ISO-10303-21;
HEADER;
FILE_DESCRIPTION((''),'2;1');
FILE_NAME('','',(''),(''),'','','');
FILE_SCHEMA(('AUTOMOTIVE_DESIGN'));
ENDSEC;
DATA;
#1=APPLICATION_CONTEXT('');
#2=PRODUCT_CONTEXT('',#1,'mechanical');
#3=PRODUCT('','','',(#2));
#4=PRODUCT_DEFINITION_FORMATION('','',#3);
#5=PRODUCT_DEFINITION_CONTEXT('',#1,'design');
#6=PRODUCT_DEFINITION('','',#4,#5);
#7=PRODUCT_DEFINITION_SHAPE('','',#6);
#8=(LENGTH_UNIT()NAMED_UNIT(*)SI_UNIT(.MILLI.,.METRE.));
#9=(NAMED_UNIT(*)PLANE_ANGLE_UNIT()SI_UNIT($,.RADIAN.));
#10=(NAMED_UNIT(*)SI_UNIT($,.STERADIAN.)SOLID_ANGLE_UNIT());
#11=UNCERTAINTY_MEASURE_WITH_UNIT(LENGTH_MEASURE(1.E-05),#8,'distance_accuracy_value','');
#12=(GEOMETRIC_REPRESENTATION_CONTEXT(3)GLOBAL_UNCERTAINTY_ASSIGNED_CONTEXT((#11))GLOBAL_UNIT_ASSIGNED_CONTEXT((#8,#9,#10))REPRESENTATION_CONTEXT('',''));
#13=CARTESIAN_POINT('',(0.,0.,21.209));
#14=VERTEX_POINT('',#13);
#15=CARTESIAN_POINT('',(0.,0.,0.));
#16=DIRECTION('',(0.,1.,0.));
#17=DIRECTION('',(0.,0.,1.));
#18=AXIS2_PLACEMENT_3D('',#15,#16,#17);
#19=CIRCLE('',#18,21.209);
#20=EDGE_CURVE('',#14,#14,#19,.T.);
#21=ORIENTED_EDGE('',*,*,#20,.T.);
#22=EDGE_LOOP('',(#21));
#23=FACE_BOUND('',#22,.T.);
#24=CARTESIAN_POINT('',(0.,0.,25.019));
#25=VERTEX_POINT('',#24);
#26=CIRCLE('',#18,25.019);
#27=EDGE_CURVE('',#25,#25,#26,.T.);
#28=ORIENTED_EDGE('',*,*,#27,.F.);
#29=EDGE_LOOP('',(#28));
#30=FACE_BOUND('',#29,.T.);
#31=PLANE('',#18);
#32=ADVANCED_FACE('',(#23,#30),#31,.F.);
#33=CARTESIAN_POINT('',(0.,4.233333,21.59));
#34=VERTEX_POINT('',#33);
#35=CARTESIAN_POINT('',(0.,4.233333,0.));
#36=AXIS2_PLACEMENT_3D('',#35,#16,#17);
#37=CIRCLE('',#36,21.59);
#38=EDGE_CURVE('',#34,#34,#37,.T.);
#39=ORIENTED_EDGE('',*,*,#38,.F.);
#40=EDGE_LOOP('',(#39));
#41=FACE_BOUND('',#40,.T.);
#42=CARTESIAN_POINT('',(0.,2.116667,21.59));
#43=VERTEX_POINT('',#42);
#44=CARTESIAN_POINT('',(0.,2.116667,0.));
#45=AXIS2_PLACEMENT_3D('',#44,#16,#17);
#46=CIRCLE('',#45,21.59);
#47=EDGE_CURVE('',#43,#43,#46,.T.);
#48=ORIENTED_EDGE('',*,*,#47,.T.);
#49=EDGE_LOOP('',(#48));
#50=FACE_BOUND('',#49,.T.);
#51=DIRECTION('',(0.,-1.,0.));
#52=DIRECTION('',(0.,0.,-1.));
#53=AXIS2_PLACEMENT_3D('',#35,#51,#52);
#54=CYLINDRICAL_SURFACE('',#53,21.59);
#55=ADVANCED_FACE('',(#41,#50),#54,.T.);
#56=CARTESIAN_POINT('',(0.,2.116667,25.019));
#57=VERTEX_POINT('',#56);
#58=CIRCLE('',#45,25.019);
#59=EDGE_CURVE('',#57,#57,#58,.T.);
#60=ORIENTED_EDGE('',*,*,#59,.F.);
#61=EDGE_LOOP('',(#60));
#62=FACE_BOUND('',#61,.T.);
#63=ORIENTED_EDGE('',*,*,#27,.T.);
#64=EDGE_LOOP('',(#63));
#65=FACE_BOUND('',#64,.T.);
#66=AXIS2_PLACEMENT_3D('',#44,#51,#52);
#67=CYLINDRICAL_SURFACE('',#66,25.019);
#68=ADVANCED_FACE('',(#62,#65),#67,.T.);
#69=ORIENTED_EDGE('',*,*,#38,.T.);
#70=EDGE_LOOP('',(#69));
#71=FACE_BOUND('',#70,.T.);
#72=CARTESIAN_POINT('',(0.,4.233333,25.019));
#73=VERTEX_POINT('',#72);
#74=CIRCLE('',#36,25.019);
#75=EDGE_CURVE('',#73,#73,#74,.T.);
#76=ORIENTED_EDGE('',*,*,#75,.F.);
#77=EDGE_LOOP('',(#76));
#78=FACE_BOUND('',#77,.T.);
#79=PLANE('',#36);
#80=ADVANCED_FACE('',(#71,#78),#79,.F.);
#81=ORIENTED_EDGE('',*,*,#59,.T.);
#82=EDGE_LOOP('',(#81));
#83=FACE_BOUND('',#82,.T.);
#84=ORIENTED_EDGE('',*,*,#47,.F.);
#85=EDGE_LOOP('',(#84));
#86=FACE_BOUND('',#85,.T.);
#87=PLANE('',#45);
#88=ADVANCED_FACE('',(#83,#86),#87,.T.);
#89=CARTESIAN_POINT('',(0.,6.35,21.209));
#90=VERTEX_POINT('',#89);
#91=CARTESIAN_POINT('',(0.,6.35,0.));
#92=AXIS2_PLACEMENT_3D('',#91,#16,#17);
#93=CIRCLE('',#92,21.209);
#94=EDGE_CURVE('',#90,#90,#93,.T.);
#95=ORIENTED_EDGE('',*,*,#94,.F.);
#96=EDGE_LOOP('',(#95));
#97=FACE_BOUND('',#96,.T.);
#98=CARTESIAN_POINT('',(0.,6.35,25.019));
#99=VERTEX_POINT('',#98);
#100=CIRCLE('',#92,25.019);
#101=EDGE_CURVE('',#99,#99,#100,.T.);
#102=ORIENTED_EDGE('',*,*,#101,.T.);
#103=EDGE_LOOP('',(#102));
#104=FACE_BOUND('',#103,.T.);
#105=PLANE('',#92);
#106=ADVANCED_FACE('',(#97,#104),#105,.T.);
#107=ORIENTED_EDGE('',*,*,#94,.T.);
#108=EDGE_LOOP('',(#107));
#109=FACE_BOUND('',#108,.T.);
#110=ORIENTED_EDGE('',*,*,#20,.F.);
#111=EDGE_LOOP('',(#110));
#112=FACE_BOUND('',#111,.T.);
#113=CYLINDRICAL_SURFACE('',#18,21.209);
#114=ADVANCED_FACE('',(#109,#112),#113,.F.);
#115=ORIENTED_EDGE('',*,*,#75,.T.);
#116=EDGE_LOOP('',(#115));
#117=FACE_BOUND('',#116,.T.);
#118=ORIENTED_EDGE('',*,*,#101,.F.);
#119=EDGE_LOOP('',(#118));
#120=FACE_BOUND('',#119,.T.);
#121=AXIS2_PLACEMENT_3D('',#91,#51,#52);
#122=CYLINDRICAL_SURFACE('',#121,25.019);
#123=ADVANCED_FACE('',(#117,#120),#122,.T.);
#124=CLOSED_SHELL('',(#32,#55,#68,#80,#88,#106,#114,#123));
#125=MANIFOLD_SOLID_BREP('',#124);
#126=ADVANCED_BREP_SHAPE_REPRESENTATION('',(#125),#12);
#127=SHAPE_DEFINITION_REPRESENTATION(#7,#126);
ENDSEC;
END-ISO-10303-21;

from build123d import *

# Parameters (mm, degrees)
SKETCH1_R           = 25.019
BOSS_EXTRUDE1_DEPTH = 2.116666667
SKETCH2_R           = 21.59
BOSS_EXTRUDE2_DEPTH = 2.116666667
SKETCH3_R           = 25.019
BOSS_EXTRUDE3_DEPTH = 2.116666667
SKETCH5_R           = 21.209
CUT_EXTRUDE1_DEPTH  = 36.947506478


with BuildPart() as part:
    # Sketch1 → Boss-Extrude1 (new body)
    with BuildSketch(Plane(origin=(0, 0, 0), x_dir=(1, 0, 0), z_dir=(0, 1, 0))):
        with Locations(Location((0, 0, 0), (0, 0, 270))):
            Circle(SKETCH1_R)
    extrude(amount=BOSS_EXTRUDE1_DEPTH)

    # Sketch2 → Boss-Extrude2 (add)
    with BuildSketch(Plane(origin=(0, 2.116666667, 0), x_dir=(1, 0, 0), z_dir=(0, 1, 0))):
        with Locations(Location((0, 0, 0), (0, 0, 270))):
            Circle(SKETCH2_R)
    extrude(amount=BOSS_EXTRUDE2_DEPTH)

    # Sketch3 → Boss-Extrude3 (add)
    with BuildSketch(Plane(origin=(0, 4.233333333, 0), x_dir=(1, 0, 0), z_dir=(0, 1, 0))):
        with Locations(Location((0, 0, 0), (0, 0, 270))):
            Circle(SKETCH3_R)
    extrude(amount=BOSS_EXTRUDE3_DEPTH)

    # Sketch5 → Cut-Extrude1 (cut, through all)
    with BuildSketch(Plane(origin=(0, 6.35, 0), x_dir=(1, 0, 0), z_dir=(0, 1, 0))):
        with Locations(Location((0, 0, 0), (0, 0, 270))):
            Circle(SKETCH5_R)
    extrude(amount=-CUT_EXTRUDE1_DEPTH, mode=Mode.SUBTRACT)


solid = part.part
